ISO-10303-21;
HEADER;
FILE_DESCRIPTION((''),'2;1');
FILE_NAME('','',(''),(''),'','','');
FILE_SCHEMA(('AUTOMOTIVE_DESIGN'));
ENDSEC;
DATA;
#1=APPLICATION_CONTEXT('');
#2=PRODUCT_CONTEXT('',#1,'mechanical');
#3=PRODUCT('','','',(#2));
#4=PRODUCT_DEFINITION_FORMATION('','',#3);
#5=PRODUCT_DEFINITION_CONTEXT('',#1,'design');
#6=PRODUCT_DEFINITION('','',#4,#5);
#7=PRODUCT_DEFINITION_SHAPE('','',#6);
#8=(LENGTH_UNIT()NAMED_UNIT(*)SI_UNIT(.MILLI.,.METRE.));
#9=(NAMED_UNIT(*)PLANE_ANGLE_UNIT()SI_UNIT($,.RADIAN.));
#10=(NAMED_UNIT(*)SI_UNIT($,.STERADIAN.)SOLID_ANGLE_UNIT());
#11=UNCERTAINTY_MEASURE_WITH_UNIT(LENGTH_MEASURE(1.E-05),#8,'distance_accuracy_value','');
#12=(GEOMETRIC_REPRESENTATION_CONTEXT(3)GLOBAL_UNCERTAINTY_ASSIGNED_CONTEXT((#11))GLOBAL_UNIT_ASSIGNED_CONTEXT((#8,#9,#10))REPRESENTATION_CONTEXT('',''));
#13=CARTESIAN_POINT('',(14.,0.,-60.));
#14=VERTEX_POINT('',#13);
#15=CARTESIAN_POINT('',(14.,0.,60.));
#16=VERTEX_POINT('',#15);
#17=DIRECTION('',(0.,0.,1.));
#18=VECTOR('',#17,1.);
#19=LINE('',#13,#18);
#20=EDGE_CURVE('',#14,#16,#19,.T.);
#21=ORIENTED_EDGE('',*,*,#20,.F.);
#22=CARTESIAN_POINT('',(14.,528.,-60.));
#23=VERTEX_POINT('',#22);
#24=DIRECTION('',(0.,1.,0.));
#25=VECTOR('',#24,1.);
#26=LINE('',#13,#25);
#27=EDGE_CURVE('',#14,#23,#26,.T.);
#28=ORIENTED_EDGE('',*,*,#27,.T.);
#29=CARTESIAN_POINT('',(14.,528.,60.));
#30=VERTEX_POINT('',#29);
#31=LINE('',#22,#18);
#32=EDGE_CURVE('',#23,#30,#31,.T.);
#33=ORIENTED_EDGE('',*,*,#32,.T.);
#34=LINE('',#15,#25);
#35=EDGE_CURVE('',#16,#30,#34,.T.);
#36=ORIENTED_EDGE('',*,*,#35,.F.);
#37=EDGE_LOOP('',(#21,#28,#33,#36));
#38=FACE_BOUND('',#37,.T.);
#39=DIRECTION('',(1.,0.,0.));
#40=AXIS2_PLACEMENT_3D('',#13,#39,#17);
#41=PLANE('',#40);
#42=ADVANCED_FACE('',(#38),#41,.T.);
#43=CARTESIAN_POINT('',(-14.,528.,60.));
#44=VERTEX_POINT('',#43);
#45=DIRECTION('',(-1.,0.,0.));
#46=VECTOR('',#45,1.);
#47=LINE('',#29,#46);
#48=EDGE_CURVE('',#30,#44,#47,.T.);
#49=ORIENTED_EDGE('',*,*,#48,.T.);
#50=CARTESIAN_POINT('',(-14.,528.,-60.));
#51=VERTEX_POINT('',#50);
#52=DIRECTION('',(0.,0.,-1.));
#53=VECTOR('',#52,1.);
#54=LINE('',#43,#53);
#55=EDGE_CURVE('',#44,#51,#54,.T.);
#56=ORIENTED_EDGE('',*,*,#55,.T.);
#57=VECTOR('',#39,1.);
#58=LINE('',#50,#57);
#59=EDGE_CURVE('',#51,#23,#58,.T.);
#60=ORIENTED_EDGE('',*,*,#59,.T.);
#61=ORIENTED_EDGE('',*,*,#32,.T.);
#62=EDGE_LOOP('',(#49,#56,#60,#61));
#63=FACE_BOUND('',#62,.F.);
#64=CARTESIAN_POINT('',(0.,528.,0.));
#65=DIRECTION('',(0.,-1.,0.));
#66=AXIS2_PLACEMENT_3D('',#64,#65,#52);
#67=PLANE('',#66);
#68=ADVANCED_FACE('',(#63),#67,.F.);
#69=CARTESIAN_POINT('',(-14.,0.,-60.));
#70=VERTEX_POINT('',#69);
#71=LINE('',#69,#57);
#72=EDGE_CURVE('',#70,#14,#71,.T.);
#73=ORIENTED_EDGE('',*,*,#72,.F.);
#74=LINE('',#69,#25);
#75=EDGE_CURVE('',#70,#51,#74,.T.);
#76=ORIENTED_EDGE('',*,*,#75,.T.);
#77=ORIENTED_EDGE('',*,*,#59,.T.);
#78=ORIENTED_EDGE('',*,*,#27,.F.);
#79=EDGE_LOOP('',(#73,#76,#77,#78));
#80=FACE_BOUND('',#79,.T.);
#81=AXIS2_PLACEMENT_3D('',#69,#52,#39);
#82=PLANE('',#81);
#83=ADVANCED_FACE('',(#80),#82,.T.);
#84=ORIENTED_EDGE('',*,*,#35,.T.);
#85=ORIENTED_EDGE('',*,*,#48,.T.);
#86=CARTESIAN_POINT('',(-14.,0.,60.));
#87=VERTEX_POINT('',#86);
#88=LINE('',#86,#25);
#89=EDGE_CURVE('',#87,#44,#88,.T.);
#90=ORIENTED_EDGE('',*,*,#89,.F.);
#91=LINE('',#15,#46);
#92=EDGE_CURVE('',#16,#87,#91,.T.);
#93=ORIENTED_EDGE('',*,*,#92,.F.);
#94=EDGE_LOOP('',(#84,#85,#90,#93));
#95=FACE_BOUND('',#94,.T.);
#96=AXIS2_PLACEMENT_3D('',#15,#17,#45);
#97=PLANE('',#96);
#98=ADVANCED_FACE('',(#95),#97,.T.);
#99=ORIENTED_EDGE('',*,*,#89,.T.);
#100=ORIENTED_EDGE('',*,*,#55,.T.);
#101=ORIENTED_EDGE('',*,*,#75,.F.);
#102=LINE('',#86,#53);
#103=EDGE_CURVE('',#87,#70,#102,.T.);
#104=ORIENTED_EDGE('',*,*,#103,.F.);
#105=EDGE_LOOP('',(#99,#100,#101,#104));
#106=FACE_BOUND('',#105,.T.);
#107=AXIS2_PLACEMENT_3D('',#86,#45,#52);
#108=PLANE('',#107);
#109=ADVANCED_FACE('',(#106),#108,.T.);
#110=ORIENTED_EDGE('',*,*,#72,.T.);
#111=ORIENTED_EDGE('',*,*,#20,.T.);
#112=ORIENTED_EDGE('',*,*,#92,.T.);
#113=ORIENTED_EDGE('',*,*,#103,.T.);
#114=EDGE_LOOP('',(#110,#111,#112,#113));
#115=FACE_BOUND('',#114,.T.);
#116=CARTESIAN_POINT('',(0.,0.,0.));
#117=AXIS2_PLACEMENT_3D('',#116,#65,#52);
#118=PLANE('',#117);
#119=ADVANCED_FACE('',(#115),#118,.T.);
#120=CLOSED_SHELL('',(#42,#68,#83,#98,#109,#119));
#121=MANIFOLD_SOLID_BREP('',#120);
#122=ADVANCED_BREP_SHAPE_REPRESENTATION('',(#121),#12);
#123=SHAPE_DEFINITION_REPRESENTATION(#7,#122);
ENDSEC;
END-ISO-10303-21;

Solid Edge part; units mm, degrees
sketch "Sketch1" plane through (0, 0, 0) normal (0, -1, 0) x (1, 0, 0)
  line L0 (-14, -60) -> (14, -60)
  line L1 (14, -60) -> (14, 60)
  line L2 (14, 60) -> (-14, 60)
  line L3 (-14, 60) -> (-14, -60)
extrude "Protrusion1" add sketch "Sketch1" against normal blind 528
properties material "Wood, Pine"
